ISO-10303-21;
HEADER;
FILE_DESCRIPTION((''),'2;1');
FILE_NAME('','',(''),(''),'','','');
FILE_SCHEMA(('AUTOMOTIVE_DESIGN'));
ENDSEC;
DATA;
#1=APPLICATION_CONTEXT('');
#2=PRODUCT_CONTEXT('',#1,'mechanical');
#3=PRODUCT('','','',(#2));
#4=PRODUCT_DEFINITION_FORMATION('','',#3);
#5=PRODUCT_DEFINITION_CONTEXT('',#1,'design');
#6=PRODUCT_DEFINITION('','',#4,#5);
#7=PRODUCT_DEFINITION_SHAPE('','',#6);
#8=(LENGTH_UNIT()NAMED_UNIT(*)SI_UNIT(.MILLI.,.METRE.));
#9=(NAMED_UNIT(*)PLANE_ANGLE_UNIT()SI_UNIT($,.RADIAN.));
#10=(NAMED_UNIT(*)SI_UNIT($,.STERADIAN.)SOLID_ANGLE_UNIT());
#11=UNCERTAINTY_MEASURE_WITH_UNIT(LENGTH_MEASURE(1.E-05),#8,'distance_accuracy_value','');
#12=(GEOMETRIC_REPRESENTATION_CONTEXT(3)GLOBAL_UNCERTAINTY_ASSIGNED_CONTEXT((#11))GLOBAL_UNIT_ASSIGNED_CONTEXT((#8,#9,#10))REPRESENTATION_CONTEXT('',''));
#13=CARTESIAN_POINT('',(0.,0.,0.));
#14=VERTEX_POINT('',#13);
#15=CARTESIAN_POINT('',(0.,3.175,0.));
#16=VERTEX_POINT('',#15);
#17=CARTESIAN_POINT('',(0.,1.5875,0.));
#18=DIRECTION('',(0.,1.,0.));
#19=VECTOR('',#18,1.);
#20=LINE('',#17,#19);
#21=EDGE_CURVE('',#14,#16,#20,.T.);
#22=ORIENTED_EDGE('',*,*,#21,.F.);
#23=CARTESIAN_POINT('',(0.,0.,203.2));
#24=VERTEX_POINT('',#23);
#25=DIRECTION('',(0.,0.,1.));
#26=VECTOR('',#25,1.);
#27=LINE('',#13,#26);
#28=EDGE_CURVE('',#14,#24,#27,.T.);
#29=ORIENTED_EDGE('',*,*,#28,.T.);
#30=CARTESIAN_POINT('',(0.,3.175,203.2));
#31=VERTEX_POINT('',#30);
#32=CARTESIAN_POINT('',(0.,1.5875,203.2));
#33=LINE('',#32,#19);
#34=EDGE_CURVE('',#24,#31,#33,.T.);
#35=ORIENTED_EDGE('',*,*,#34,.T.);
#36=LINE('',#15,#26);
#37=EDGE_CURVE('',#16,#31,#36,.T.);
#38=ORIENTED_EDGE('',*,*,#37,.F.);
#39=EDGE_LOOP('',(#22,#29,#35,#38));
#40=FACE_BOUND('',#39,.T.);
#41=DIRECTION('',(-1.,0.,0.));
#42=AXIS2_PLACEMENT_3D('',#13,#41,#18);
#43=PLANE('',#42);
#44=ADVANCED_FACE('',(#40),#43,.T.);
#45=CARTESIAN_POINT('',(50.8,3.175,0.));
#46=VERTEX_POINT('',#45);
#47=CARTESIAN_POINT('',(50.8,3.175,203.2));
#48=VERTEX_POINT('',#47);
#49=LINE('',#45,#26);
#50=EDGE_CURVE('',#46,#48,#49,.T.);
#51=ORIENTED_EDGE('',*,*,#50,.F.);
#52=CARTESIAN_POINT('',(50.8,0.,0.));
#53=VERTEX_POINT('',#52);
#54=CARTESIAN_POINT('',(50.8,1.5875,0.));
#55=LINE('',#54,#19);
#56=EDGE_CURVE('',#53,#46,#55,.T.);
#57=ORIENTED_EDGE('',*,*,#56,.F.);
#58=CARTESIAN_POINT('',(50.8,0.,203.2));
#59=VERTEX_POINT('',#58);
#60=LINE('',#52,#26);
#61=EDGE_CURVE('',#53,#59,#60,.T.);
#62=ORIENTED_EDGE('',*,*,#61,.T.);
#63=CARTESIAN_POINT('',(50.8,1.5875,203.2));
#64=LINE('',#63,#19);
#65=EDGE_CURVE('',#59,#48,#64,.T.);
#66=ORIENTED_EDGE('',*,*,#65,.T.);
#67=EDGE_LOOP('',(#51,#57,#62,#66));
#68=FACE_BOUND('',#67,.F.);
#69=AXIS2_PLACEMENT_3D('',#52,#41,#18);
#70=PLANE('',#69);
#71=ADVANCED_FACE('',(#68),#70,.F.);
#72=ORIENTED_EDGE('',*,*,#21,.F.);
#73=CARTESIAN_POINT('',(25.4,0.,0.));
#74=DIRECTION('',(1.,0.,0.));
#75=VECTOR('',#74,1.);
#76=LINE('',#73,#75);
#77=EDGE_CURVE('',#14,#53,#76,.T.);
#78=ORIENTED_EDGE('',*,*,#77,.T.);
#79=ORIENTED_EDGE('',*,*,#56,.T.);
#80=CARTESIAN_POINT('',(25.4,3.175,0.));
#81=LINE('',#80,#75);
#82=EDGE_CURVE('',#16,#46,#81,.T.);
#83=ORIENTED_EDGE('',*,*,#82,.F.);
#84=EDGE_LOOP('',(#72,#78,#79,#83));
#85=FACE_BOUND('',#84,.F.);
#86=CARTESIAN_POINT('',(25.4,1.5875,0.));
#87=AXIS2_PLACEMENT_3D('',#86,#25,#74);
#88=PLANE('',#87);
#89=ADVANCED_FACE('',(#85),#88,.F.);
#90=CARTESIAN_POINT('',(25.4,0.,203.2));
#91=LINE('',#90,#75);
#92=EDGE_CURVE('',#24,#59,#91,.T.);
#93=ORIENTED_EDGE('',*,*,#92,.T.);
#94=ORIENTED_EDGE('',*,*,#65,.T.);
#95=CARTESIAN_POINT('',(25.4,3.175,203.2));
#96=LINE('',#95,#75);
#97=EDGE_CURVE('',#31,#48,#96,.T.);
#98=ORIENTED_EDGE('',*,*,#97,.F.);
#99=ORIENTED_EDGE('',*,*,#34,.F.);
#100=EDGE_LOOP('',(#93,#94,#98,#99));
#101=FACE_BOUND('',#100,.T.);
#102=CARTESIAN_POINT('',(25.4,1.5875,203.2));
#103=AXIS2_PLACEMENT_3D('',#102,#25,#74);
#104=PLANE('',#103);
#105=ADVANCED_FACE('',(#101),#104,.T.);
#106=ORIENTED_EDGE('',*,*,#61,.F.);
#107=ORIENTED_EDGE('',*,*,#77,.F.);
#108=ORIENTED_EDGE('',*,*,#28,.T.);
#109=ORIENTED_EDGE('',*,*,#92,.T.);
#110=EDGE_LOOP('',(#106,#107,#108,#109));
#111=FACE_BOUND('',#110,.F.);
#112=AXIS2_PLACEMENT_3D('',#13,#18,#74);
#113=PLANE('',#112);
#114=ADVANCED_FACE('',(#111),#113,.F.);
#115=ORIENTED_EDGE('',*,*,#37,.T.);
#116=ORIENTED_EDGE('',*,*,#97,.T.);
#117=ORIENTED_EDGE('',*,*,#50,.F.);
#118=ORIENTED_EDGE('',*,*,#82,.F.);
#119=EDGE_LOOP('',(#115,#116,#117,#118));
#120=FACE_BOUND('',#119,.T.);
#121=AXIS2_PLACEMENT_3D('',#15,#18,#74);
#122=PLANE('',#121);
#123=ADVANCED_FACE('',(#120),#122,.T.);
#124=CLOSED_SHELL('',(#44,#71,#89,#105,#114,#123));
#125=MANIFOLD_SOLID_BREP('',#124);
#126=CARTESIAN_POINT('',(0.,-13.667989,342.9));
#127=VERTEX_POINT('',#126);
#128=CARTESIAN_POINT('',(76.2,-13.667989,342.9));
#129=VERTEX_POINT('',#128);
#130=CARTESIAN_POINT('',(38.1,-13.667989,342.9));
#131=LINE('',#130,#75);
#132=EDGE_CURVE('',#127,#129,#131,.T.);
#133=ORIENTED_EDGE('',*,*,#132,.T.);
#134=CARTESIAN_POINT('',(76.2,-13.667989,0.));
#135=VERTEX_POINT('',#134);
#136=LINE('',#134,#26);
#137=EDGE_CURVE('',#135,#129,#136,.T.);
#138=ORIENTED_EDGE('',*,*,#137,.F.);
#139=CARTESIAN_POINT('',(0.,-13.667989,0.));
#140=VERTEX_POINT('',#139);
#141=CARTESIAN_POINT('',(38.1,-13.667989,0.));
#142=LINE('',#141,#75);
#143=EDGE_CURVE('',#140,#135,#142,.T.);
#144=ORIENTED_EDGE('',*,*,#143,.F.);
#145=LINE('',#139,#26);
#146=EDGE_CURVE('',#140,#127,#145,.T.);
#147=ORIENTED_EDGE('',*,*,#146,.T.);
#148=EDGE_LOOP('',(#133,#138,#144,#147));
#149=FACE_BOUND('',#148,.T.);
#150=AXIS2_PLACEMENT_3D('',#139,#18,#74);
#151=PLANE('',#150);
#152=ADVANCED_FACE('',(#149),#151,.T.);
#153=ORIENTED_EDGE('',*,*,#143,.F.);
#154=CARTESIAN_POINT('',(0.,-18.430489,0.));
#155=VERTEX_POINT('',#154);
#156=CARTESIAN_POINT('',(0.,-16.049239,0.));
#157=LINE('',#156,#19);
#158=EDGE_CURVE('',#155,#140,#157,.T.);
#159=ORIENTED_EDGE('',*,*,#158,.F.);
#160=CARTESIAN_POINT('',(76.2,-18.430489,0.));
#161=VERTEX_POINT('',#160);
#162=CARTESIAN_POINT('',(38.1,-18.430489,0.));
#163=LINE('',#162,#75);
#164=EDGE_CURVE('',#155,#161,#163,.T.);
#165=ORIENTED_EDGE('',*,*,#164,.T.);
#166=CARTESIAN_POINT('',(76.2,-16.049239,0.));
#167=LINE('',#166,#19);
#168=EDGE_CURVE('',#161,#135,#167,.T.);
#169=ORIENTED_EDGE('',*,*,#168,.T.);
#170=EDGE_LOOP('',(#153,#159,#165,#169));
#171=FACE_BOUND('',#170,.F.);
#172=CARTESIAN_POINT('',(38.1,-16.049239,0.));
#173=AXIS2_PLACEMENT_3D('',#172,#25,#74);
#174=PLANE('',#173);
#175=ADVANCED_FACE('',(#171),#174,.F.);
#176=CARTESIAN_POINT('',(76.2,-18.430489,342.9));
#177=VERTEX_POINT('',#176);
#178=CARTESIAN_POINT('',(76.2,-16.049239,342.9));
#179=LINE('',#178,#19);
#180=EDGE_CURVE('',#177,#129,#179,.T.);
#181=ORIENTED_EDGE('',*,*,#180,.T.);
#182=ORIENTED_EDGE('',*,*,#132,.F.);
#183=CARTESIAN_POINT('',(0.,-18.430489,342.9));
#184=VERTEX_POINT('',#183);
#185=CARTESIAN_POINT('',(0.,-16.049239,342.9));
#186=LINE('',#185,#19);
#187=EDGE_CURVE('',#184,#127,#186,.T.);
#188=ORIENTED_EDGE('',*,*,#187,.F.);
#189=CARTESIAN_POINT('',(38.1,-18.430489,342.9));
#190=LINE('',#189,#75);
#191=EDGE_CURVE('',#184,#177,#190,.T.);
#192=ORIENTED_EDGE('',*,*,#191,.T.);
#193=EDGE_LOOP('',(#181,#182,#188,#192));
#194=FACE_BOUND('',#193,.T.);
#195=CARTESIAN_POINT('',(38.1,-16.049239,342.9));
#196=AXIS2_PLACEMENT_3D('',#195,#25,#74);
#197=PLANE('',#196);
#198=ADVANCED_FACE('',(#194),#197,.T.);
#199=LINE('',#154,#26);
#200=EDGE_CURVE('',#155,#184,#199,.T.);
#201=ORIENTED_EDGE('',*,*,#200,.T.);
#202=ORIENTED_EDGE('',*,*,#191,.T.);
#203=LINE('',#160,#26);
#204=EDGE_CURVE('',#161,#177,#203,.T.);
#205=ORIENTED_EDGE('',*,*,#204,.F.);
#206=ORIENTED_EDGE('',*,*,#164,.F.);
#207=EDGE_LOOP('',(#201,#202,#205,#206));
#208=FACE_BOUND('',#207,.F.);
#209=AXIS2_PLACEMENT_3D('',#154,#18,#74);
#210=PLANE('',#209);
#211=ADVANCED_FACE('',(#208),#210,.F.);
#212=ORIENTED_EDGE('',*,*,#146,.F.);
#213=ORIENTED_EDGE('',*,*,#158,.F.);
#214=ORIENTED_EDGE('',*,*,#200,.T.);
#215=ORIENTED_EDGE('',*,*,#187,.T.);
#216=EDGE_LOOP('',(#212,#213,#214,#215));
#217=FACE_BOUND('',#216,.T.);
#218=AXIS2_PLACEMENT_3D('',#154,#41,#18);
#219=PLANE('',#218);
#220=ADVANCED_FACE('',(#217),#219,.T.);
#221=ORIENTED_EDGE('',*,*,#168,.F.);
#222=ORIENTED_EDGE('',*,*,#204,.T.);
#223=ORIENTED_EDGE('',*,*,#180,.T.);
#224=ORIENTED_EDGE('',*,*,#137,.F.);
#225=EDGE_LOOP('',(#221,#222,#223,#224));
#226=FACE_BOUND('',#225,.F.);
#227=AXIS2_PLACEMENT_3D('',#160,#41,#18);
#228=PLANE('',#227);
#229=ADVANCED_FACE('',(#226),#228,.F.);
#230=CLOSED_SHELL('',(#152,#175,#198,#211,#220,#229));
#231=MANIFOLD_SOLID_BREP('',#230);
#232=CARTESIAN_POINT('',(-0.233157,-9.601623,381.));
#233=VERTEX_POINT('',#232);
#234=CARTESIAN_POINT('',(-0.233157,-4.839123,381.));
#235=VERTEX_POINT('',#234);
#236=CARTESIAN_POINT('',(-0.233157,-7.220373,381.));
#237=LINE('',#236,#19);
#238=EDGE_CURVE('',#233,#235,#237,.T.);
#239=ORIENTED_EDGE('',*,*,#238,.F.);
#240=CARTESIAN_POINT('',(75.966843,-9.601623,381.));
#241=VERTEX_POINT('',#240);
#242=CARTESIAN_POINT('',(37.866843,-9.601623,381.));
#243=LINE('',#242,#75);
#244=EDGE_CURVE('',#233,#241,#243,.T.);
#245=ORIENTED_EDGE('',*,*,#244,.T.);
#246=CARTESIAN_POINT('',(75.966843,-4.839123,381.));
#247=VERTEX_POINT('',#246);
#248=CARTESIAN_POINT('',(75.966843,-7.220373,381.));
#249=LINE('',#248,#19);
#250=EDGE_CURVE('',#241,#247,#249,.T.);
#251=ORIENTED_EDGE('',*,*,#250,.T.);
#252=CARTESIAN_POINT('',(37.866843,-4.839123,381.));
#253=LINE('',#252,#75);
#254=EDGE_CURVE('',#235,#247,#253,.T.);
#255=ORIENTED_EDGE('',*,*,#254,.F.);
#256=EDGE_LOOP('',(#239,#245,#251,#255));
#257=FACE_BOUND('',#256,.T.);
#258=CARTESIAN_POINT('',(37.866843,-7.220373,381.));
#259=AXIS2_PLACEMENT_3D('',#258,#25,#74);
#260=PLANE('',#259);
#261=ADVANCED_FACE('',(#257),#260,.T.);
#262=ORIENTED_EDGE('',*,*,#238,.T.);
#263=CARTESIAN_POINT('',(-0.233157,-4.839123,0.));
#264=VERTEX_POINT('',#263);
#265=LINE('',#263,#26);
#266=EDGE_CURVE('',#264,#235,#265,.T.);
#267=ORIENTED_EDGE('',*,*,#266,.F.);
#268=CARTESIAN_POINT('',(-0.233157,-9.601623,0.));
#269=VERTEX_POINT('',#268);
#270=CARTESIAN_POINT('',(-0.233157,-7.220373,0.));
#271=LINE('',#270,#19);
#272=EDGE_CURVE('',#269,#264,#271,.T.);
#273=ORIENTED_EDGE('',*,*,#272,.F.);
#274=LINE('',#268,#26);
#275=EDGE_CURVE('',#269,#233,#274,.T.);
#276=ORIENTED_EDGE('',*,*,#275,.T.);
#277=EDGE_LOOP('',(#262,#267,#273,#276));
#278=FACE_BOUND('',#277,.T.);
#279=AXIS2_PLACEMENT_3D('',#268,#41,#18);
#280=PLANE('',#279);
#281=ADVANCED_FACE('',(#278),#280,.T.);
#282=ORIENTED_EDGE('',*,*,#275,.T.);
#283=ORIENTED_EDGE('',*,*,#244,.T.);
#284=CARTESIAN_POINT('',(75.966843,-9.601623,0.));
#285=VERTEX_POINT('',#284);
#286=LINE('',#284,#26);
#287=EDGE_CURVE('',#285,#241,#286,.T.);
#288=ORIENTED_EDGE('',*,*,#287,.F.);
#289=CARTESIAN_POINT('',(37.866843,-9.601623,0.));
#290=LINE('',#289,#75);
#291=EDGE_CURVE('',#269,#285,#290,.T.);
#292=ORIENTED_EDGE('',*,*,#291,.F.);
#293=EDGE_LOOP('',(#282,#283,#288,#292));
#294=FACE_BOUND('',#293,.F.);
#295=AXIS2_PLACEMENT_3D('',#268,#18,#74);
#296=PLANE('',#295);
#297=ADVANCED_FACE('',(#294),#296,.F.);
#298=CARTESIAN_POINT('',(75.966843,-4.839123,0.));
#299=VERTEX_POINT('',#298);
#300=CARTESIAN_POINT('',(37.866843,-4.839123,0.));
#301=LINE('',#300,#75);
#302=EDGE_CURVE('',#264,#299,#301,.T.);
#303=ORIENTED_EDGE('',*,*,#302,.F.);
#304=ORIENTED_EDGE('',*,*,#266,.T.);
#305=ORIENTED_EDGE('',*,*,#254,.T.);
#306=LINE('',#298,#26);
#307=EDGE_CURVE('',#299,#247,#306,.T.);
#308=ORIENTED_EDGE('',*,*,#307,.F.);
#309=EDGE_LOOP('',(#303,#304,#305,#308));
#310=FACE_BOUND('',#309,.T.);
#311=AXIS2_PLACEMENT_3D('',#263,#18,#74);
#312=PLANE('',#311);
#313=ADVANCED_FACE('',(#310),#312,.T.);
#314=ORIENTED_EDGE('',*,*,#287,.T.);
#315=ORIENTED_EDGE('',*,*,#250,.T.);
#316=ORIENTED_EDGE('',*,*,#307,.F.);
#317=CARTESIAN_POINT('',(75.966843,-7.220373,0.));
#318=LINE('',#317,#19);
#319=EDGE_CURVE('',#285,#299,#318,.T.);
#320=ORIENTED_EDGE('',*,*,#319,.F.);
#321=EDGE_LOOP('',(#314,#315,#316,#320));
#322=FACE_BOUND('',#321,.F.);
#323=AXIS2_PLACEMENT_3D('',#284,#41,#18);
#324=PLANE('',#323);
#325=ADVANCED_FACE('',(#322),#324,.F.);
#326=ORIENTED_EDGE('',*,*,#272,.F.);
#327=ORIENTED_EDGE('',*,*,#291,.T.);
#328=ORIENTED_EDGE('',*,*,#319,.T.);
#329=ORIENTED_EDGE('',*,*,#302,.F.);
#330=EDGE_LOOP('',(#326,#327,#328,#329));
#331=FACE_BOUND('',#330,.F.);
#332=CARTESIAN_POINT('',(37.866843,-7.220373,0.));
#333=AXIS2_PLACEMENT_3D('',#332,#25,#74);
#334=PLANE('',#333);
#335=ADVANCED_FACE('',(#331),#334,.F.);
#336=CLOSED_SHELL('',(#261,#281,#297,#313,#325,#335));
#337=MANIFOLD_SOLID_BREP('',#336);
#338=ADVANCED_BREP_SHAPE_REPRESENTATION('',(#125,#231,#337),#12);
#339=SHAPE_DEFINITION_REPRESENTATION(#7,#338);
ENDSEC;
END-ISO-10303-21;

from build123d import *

# Parameters (mm, degrees)
F0_W     = 50.8
F0_H     = 3.175
F1_DEPTH = 203.2
F2_W     = 76.2
F2_H     = 4.7625
F3_DEPTH = 342.9
F4_W     = 76.2
F4_H     = 4.7625
F5_DEPTH = 381


with BuildPart() as f1:
    # F0 (on Top) → F1 (new body)
    with BuildSketch(Plane.XY):
        with Locations((25.4, 1.5875)):
            Rectangle(F0_W, F0_H)
    extrude(amount=F1_DEPTH)


with BuildPart() as f3:
    # F2 (on Top) → F3 (new body)
    with BuildSketch(Plane.XY):
        with Locations((38.1, -16.049239)):
            Rectangle(F2_W, F2_H)
    extrude(amount=F3_DEPTH)


with BuildPart() as f5:
    # F4 (on Top) → F5 (new body)
    with BuildSketch(Plane.XY):
        with Locations((37.866843, -7.220373)):
            Rectangle(F4_W, F4_H)
    extrude(amount=F5_DEPTH)


solid = Compound([f1.part, f3.part, f5.part])
